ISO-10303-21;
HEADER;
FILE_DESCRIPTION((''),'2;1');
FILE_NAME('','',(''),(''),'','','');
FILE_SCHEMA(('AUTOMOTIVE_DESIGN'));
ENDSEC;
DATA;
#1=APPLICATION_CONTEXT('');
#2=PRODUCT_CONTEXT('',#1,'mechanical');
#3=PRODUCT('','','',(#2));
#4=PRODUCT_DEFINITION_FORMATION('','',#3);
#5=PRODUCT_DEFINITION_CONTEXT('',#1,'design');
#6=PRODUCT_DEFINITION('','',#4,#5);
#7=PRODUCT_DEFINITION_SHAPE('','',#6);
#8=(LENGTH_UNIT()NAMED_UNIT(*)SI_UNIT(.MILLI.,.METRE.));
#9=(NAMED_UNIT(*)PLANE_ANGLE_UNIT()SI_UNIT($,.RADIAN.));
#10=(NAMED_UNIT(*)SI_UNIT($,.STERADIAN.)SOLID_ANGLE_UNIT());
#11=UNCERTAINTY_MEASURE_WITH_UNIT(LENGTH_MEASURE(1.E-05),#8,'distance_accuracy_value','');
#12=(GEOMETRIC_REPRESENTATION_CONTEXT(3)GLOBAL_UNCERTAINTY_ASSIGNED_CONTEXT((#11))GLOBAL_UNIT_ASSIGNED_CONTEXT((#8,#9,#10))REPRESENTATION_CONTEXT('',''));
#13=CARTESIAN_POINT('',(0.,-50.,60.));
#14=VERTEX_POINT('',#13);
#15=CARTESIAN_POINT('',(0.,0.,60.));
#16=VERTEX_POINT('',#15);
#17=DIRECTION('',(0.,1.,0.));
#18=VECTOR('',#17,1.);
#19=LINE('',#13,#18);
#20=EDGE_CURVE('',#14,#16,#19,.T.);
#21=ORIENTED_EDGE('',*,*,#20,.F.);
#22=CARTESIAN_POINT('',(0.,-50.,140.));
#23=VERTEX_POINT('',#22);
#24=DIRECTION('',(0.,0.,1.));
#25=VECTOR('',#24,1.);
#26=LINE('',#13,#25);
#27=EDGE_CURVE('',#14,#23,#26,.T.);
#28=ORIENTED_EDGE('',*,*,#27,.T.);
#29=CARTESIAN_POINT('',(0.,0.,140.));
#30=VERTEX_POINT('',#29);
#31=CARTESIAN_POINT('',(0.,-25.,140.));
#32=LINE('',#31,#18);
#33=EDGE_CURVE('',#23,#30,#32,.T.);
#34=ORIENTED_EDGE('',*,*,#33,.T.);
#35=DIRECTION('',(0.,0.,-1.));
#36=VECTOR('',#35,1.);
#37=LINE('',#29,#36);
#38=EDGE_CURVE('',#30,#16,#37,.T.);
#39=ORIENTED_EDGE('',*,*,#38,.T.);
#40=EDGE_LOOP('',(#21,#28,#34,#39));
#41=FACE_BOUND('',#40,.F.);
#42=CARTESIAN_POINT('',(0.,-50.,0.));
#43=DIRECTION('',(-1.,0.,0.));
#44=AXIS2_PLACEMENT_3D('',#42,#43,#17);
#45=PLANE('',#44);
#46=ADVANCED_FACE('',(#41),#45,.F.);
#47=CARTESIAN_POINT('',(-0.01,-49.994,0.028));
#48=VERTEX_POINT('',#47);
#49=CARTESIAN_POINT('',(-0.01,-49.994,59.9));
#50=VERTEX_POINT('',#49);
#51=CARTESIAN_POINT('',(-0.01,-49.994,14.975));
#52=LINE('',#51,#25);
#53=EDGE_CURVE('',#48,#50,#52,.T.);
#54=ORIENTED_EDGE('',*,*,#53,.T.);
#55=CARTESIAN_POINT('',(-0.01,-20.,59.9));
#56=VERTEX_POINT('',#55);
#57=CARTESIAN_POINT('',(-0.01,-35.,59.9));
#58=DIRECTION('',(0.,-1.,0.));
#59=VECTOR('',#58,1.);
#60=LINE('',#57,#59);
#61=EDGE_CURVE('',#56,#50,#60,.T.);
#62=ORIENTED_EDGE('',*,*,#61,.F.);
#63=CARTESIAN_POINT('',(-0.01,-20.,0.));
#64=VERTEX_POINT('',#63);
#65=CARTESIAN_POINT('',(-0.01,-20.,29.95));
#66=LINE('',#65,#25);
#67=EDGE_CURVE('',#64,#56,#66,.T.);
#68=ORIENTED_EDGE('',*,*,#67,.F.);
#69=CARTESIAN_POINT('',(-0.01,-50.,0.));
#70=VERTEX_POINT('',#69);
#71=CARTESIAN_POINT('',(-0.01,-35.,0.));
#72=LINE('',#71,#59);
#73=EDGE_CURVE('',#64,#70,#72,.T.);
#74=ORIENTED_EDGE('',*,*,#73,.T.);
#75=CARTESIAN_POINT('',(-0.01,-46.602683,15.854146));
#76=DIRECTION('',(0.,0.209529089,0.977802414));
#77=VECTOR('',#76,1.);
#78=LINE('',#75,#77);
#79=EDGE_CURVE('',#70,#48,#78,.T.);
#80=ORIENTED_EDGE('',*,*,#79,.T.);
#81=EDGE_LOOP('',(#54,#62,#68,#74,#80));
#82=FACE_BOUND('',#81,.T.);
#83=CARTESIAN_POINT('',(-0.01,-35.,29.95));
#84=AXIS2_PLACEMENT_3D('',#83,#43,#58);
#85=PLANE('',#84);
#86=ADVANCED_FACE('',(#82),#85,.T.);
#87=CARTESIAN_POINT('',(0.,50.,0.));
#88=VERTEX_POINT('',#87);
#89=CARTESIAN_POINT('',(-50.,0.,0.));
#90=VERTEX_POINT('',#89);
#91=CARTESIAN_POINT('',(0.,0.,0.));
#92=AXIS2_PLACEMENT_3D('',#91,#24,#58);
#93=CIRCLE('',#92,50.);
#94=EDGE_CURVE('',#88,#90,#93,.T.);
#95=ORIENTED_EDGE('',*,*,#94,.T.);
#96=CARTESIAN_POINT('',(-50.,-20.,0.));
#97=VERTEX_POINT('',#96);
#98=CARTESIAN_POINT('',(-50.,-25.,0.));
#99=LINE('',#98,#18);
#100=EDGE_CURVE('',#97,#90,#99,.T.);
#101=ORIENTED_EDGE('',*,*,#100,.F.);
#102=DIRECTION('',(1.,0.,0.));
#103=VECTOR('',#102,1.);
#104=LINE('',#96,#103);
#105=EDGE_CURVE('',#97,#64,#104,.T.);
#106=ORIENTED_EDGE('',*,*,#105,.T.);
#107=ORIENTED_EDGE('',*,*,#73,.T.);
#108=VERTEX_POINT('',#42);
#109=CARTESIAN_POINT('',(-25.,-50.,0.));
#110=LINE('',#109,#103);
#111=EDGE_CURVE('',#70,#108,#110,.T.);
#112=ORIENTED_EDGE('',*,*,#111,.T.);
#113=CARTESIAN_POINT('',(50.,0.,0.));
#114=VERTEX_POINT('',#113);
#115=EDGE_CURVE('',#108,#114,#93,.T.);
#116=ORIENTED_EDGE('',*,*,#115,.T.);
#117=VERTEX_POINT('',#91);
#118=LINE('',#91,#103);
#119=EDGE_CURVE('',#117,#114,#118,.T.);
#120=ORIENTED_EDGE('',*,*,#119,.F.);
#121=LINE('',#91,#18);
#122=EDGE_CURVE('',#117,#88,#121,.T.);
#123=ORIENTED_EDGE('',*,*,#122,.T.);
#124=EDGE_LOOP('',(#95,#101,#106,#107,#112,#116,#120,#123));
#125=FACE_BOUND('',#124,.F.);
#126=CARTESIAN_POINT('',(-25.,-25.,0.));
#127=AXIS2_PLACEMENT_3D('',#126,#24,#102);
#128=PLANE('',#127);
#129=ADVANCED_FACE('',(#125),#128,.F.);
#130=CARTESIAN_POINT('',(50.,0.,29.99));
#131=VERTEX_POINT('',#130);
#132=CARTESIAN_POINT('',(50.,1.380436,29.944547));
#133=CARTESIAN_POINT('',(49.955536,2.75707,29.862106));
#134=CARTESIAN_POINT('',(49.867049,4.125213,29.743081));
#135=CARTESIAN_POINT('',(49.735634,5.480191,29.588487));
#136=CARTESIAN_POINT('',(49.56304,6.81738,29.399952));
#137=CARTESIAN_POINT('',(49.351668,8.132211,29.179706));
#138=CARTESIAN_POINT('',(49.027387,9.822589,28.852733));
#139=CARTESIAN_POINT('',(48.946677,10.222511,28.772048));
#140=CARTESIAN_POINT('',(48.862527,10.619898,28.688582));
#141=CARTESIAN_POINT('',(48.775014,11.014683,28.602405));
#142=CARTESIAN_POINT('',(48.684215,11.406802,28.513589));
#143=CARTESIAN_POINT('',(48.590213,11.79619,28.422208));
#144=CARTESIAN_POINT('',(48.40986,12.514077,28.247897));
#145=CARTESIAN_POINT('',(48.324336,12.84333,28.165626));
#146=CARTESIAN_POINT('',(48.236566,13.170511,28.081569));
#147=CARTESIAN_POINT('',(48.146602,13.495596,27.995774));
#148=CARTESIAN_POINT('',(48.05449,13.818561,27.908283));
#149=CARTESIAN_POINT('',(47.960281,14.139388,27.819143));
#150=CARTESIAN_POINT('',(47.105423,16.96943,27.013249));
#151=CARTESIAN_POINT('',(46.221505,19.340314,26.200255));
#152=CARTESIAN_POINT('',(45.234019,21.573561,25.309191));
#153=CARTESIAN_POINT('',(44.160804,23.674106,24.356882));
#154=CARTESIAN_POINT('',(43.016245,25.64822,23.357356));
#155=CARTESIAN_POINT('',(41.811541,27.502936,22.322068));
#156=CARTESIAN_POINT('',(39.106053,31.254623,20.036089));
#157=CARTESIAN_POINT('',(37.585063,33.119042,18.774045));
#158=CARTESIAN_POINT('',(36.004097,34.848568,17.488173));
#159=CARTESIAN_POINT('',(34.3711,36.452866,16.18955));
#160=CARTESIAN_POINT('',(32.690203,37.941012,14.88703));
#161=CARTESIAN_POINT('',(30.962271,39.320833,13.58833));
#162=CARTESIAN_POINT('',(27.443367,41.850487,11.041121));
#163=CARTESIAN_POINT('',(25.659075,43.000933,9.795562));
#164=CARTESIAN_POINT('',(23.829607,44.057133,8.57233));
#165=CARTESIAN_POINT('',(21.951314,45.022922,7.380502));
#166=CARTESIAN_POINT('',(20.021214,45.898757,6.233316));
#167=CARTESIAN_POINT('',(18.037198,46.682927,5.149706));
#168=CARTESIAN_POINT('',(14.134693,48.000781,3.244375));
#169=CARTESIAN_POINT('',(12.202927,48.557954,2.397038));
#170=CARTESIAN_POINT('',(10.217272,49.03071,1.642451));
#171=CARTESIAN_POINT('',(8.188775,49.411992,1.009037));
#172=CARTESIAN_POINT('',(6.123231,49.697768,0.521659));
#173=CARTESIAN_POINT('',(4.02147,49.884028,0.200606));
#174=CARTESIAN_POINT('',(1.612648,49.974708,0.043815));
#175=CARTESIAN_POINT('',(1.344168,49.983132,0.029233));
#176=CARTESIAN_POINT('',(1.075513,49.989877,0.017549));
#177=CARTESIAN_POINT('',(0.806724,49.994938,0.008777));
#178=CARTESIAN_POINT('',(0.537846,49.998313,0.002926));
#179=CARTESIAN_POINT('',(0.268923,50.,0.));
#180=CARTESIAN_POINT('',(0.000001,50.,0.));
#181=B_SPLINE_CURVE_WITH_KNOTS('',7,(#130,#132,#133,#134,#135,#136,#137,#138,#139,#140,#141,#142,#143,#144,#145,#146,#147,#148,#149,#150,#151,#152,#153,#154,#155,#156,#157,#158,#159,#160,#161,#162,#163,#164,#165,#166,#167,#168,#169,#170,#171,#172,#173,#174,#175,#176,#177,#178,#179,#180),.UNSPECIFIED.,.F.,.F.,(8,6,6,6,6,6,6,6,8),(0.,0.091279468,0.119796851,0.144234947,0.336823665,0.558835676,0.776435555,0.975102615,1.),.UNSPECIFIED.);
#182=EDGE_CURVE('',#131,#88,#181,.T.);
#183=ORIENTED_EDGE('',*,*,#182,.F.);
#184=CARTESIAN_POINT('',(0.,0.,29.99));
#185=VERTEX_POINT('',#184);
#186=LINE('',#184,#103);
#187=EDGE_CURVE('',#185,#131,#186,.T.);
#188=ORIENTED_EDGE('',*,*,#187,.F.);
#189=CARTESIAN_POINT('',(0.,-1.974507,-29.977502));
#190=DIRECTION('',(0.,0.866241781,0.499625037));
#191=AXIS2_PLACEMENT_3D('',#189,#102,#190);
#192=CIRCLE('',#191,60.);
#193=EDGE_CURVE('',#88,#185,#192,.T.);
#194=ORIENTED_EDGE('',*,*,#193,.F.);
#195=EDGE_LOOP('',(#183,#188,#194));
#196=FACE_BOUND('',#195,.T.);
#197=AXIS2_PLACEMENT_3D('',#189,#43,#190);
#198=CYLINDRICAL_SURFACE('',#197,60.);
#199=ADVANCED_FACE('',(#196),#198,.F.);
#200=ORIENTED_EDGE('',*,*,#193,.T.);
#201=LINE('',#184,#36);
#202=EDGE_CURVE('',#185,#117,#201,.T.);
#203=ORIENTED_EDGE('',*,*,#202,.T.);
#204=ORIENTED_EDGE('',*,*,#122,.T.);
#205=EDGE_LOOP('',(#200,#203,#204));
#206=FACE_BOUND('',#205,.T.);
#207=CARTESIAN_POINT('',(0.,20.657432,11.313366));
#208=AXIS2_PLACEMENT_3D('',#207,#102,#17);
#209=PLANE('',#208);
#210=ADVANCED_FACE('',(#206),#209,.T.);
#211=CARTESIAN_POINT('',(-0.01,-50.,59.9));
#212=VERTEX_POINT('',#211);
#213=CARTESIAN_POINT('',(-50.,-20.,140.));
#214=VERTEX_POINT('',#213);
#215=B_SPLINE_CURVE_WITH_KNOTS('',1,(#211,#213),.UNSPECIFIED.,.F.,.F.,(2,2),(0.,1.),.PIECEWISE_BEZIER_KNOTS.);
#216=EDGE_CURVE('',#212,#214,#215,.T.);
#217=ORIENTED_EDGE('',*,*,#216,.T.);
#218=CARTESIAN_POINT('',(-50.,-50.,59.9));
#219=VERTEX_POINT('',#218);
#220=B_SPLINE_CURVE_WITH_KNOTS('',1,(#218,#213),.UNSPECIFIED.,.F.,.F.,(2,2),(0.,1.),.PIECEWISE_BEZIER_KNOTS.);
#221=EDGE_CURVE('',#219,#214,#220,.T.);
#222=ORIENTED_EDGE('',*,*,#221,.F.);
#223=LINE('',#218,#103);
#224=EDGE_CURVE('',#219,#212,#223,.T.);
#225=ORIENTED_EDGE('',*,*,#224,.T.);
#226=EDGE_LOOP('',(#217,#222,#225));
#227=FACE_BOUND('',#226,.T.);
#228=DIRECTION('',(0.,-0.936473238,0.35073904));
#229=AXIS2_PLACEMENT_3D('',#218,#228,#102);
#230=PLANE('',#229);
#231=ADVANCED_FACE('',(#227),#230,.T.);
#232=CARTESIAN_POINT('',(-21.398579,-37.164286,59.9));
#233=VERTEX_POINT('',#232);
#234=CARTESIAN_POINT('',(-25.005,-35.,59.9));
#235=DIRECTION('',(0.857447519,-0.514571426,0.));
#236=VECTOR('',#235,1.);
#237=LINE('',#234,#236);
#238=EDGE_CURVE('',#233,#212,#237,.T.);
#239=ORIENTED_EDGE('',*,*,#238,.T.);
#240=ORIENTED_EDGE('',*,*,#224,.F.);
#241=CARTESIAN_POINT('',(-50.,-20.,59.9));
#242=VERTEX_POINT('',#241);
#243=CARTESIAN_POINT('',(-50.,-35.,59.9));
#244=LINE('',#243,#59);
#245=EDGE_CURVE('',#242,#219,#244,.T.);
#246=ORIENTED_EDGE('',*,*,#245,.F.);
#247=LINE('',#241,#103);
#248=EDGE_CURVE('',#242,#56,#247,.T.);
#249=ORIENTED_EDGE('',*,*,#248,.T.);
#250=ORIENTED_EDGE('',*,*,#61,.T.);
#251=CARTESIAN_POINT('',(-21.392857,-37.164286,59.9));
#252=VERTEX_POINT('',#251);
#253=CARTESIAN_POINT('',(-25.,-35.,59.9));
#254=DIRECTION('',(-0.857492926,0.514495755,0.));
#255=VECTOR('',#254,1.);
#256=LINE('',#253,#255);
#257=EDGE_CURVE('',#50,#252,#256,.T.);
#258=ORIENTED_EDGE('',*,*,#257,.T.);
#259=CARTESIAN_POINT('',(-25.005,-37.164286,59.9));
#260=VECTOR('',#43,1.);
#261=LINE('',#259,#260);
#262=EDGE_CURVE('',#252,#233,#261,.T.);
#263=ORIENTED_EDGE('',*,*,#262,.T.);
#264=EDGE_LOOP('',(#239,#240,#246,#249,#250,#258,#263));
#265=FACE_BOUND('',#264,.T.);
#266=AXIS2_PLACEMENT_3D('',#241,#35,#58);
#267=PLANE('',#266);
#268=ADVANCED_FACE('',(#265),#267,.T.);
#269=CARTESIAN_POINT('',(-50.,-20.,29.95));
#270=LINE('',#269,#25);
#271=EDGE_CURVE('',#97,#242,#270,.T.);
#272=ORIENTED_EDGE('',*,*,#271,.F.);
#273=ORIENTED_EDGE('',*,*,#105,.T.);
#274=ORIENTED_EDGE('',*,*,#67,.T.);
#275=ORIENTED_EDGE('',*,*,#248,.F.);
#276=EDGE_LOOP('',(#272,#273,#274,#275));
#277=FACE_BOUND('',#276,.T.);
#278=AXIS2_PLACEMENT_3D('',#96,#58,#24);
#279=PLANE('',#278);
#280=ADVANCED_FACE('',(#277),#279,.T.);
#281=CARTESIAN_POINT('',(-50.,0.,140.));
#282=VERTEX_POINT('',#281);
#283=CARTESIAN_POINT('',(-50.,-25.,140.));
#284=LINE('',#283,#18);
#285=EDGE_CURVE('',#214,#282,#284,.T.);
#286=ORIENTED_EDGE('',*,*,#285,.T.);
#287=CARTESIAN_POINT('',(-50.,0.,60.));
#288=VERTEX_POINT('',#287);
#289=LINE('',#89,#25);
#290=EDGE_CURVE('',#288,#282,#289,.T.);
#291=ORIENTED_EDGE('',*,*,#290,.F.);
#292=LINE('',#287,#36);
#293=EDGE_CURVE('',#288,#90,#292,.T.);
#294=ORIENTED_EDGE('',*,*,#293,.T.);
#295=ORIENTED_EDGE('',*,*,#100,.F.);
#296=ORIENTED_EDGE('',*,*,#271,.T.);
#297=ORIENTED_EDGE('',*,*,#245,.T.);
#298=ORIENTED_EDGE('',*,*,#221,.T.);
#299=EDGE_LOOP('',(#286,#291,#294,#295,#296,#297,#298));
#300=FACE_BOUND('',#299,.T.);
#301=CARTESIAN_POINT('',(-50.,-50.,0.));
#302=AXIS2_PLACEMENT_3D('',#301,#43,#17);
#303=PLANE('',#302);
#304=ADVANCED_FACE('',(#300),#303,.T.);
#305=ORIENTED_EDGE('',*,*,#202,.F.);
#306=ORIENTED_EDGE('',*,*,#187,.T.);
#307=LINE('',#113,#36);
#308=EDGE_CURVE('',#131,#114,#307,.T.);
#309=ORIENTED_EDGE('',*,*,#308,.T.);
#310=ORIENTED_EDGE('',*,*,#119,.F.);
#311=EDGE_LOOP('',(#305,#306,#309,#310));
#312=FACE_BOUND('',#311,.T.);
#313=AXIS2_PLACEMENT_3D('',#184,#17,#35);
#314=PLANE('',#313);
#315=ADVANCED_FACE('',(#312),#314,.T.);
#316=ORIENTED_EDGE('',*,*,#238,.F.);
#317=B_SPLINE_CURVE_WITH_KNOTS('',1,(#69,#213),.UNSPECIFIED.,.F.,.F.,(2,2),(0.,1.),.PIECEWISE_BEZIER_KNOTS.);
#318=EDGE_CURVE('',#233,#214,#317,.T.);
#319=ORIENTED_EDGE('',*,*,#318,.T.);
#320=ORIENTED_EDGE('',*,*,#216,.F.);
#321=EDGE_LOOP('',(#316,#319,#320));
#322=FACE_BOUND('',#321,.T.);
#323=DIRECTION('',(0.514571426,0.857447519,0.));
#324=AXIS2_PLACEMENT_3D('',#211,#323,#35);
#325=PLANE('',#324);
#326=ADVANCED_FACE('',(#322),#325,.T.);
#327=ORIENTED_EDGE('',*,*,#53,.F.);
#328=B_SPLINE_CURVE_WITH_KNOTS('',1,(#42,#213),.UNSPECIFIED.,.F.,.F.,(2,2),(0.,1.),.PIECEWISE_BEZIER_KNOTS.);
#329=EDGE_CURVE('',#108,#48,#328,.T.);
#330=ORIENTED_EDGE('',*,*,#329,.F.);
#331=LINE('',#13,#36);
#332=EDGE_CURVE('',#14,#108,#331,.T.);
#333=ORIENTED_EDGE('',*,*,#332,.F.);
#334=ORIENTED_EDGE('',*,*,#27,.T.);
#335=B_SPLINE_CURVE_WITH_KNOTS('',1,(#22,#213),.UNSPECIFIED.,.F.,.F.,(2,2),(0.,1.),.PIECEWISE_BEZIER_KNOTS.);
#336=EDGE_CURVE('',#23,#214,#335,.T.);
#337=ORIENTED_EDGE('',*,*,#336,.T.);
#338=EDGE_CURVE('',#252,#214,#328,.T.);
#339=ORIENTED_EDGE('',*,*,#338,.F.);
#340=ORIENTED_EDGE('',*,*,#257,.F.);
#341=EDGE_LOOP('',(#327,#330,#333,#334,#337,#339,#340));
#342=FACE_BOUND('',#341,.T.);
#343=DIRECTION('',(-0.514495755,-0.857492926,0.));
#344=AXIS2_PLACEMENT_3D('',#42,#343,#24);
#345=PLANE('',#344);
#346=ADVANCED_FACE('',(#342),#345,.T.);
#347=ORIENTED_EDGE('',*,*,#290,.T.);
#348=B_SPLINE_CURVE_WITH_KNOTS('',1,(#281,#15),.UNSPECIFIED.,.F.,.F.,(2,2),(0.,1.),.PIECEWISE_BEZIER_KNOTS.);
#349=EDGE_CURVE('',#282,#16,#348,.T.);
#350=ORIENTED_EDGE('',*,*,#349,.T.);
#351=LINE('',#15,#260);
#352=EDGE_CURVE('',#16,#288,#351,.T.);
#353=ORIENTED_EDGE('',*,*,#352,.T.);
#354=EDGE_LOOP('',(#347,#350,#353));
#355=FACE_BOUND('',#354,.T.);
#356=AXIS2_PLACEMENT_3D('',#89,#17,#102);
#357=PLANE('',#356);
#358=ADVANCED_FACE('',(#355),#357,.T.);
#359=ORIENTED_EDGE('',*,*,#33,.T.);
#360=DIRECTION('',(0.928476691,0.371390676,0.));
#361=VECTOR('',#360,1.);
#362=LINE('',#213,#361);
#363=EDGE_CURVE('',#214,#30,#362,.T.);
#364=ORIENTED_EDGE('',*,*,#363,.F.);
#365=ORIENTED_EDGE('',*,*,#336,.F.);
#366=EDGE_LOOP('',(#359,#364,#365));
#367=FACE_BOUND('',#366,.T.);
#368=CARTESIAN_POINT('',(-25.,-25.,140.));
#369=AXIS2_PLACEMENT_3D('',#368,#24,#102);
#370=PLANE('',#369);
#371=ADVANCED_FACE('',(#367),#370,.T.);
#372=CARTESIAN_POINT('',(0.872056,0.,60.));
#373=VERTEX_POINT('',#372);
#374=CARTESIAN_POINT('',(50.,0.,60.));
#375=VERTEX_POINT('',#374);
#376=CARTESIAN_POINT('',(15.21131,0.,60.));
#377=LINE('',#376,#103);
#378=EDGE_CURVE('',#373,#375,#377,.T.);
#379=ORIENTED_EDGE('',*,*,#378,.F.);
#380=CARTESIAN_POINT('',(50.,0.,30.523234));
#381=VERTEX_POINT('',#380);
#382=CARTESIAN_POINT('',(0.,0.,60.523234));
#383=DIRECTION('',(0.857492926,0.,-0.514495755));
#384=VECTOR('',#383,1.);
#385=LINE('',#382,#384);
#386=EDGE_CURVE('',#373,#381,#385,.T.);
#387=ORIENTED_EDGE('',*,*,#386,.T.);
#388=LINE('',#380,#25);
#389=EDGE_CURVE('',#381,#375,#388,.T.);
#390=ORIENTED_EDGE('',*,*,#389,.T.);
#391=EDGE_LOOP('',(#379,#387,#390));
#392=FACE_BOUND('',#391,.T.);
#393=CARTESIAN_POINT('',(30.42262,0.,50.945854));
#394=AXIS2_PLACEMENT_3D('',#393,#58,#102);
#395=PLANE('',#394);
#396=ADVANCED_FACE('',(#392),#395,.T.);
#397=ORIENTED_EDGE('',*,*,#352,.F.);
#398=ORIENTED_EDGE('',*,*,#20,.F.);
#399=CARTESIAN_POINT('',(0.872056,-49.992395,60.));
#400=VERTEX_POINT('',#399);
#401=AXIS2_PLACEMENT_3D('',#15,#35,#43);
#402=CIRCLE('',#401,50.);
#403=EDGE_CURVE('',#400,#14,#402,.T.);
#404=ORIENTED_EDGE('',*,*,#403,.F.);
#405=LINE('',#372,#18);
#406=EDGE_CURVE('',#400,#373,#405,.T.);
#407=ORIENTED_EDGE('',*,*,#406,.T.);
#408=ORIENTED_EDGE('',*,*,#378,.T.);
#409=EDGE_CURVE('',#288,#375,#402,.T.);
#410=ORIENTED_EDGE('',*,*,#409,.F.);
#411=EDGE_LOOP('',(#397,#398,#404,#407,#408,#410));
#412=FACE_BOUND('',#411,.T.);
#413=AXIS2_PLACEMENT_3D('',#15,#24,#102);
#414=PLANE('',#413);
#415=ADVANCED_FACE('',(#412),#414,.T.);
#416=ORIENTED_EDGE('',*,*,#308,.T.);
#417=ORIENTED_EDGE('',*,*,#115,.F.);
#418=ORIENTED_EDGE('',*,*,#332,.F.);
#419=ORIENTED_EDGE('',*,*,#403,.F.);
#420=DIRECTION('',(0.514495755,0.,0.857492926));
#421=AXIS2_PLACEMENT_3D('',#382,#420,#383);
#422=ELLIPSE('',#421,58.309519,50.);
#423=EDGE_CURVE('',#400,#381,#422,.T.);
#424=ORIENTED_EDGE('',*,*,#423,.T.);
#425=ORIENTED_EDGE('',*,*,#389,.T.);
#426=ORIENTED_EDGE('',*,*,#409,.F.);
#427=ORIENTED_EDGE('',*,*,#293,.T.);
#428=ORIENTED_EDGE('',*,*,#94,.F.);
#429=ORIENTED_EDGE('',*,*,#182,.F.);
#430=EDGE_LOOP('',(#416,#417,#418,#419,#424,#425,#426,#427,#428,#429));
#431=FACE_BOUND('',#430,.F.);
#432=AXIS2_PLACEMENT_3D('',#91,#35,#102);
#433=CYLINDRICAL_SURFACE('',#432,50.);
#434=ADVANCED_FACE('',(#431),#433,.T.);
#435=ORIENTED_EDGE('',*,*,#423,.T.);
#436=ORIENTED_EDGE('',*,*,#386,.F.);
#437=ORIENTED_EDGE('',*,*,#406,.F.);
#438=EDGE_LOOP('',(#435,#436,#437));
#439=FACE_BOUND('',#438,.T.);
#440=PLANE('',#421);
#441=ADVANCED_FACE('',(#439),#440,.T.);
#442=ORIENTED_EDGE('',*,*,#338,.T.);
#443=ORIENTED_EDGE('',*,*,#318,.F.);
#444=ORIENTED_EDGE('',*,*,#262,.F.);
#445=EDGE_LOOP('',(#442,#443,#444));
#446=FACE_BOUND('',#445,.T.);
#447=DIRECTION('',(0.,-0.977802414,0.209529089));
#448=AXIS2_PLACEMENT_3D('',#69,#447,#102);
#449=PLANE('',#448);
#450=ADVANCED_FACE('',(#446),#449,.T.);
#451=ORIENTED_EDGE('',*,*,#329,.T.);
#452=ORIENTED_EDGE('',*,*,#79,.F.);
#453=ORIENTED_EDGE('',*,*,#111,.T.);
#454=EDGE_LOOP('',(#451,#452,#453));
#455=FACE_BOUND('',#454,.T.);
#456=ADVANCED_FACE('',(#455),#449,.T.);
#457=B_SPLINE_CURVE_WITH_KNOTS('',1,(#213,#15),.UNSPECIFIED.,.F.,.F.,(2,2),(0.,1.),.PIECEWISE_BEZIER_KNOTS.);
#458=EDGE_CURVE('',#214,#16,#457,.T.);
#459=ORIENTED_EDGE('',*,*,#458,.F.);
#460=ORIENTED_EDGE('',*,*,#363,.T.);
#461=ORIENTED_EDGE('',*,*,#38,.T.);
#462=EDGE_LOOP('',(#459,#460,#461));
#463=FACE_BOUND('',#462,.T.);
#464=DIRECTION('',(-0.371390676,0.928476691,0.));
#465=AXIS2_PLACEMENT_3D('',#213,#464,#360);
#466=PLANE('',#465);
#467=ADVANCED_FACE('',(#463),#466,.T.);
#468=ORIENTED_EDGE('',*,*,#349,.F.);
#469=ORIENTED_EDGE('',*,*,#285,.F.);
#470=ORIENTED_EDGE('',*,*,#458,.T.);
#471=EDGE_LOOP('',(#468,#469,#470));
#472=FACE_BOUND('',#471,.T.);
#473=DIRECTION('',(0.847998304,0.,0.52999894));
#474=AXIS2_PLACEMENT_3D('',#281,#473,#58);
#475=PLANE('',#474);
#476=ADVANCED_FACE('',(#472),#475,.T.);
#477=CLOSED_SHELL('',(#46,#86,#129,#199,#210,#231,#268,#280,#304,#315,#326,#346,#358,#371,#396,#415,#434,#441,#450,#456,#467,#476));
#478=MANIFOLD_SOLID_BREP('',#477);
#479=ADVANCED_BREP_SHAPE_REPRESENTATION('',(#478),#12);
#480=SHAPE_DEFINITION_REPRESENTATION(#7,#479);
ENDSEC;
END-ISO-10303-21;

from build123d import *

# Parameters (mm, degrees)
F0_R      = 50
F1_DEPTH  = 60
F3_DEPTH  = 60.001
F4_W      = 50
F4_H      = 50
F5_DEPTH  = 140
F6_W      = 30
F6_H      = 59.9
F7_DEPTH  = 49.99
F13_DEPTH = 50.0010001
F15_DEPTH = 50.0010001


with BuildPart() as f1:
    # F0 (on Top) → F1 (new body)
    with BuildSketch(Plane.XY):
        Circle(F0_R)
    extrude(amount=F1_DEPTH)

    # F2 (on face) → F3 (cut, through all)
    with BuildSketch(Plane.XY.offset(60)):
        with BuildLine():
            Line((0, -50), (0, 0))
            Line((0, 0), (-50, 0))
            ThreePointArc((-50, 0), (-35.3553390593, -35.3553390593), (0, -50))
        make_face()
    extrude(amount=-F3_DEPTH, mode=Mode.SUBTRACT)

    # F4 (on Top) → F5 (join)
    with BuildSketch(Plane.XY):
        with Locations((-25, -25)):
            Rectangle(F4_W, F4_H)
    extrude(amount=F5_DEPTH)

    # F6 (on face) → F7 (cut)
    with BuildSketch(Plane(origin=(-50, 0, 0), x_dir=(0, -1, 0), z_dir=(-1, 0, 0))):
        with Locations((35, 29.95)):
            Rectangle(F6_W, F6_H)
    extrude(amount=-F7_DEPTH, mode=Mode.SUBTRACT)

    # F5_face2 (on face) → F9 section 0
    with BuildSketch(Plane(origin=(-24.9962622307, -50, 99.9395321524), x_dir=(1, 0, 0), z_dir=(0, -1, 0)), mode=Mode.PRIVATE) as f9_s0:
        Polygon((-25.0037377693, -40.0395321524), (24.9862622307, -40.0395321524), (24.9862622307, -99.9395321524), (24.9962622307, -99.9395321524), (24.9962622307, -39.9395321524), (24.9962622307, 40.0604678476), (-25.0037377693, 40.0604678476), align=None)
    loft([f9_s0.sketch, Vertex(-50, -20, 140)], mode=Mode.SUBTRACT)

    # F10 (on face) → F11 section 0
    with BuildSketch(Plane.XY.offset(140), mode=Mode.PRIVATE) as f11_s0:
        Polygon((-50, 0), (-50, -20), (0, 0), align=None)
    loft([f11_s0.sketch, Vertex(0, 0, 60)], mode=Mode.SUBTRACT)

    # F12 (on Front) → F13 (cut, through all)
    with BuildSketch(Plane.XZ):
        Polygon((50, 60.5232338582), (0, 60.5232338582), (50, 30.5232338582), align=None)
    extrude(amount=F13_DEPTH, mode=Mode.SUBTRACT)

    # F14 (on Right) → F15 (cut, through all)
    with BuildSketch(Plane.YZ):
        with BuildLine():
            Line((0, 29.99), (0, 0))
            Line((0, 0), (50, 0))
            ThreePointArc((50, 0), (28.8876713773, 21.4766128331), (0, 29.99))
        make_face()
    extrude(amount=F15_DEPTH, mode=Mode.SUBTRACT)


solid = f1.part
